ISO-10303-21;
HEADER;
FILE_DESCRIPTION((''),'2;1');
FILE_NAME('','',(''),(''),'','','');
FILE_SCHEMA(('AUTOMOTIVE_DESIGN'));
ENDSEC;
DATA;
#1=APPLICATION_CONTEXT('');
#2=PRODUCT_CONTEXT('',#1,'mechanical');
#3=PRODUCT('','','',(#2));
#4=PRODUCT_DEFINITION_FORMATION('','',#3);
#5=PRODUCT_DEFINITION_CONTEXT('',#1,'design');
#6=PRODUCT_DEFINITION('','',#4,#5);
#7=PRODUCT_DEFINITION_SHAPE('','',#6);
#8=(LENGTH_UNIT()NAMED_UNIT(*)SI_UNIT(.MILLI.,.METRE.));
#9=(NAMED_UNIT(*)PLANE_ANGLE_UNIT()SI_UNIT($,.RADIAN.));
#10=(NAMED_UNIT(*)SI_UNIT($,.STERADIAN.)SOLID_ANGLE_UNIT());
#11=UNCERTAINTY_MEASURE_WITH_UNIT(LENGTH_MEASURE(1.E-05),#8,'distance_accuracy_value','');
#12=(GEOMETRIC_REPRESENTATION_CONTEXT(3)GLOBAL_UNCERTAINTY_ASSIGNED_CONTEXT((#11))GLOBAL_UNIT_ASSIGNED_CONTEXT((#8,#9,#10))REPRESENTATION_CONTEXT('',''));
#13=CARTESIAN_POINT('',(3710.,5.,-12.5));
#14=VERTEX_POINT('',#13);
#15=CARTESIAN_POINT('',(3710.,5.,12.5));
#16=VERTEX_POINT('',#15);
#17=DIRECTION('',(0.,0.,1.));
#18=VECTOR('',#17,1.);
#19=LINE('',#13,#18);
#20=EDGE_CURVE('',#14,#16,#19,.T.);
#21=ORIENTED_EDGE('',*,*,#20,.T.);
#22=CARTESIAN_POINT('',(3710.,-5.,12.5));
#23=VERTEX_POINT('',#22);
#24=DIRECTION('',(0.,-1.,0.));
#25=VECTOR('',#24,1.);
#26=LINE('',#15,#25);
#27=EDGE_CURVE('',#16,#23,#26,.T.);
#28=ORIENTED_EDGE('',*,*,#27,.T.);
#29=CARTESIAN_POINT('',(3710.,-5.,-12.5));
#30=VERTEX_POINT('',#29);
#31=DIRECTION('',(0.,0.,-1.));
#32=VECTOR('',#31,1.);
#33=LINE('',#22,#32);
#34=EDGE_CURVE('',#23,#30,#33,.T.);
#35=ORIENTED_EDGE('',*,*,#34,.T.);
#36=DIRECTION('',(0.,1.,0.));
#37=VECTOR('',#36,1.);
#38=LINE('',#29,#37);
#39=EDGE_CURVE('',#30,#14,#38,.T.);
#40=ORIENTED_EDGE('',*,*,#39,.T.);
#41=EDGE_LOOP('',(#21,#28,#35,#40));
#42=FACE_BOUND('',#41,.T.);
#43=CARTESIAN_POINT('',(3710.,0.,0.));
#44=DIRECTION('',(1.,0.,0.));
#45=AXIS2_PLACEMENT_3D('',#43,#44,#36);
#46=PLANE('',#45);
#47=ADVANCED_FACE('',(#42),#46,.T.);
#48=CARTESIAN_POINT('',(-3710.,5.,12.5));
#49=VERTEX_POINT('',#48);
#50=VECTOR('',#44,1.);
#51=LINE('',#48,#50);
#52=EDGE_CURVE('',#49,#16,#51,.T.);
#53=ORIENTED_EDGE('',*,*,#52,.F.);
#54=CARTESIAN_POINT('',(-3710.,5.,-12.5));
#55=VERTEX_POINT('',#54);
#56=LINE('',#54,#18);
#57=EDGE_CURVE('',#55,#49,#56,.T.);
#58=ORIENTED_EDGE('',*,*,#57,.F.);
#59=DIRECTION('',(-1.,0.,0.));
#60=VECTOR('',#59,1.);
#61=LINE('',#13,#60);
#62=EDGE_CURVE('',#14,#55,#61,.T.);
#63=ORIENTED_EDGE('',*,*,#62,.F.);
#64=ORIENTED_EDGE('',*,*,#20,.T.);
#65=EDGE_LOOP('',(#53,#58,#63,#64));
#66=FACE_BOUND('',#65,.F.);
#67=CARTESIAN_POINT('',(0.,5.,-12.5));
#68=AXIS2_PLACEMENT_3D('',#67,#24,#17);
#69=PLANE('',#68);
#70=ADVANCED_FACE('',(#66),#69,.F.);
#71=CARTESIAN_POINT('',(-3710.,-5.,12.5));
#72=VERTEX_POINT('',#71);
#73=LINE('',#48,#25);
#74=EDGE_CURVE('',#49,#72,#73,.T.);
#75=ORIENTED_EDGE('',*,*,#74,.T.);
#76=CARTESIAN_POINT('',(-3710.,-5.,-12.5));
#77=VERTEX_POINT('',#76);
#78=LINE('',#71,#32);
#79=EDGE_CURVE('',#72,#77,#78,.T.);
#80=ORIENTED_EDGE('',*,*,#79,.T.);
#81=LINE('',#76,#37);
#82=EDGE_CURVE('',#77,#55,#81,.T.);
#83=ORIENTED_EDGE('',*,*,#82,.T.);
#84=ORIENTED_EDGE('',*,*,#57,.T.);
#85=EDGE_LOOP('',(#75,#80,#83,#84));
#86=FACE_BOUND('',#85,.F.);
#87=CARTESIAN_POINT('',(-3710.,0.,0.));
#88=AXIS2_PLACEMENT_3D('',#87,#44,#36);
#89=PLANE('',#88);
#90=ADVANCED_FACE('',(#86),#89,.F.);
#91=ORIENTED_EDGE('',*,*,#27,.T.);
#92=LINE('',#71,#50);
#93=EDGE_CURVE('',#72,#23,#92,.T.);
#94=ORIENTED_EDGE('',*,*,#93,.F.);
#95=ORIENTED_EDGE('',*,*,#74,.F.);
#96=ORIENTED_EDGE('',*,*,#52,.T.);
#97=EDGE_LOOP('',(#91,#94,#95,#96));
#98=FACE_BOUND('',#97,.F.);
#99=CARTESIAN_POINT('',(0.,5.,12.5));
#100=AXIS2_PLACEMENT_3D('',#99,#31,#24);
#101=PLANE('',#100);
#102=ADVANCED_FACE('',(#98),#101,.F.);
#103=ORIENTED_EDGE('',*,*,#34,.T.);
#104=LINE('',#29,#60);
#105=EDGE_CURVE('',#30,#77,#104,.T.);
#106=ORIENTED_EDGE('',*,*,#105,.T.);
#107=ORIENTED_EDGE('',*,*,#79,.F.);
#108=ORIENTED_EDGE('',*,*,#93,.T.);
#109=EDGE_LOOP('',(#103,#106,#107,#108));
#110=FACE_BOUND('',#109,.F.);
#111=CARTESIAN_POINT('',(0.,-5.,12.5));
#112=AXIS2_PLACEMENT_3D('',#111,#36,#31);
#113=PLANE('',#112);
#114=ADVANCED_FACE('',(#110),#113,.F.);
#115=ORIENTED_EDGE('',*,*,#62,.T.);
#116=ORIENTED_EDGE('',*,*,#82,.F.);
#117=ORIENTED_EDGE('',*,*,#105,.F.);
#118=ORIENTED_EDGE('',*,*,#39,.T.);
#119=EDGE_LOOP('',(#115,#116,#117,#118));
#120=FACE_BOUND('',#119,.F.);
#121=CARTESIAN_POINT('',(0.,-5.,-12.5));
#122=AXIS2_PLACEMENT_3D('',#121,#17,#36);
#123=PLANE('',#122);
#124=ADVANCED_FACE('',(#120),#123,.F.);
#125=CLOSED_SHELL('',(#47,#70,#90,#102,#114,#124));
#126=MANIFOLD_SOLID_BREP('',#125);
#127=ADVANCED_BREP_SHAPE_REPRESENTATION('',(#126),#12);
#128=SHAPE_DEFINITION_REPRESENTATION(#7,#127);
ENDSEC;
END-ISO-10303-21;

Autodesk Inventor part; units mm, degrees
ref_plane "YZ Plane" through (0, 0, 0) normal (1, 0, 0) x (0, 1, 0)
ref_plane "XZ Plane" through (0, 0, 0) normal (0, 1, 0) x (-1, 0, 0)
ref_plane "XY Plane" through (0, 0, 0) normal (0, 0, 1) x (1, 0, 0)
sketch "스케치8" plane through (0, 0, 0) normal (1, 0, 0) x (0, 1, 0)
  line L0 (5, 12.5) -> (-5, 12.5)
  line L1 (-5, 12.5) -> (-5, -12.5)
  line L2 (-5, -12.5) -> (5, -12.5)
  line L3 (5, -12.5) -> (5, 12.5)
  line L4 (5, 12.5) -> (-5, -12.5) construction
  line L5 (-5, 12.5) -> (5, -12.5) construction
  point P0 (0, 0)
  dimension "d38" = 25
  dimension "d39" = 10
extrude "돌출3" add sketch "스케치8" along normal mid plane 7420
properties part number "TL20240701-10100CV-RAIL 2" material "SS400"
